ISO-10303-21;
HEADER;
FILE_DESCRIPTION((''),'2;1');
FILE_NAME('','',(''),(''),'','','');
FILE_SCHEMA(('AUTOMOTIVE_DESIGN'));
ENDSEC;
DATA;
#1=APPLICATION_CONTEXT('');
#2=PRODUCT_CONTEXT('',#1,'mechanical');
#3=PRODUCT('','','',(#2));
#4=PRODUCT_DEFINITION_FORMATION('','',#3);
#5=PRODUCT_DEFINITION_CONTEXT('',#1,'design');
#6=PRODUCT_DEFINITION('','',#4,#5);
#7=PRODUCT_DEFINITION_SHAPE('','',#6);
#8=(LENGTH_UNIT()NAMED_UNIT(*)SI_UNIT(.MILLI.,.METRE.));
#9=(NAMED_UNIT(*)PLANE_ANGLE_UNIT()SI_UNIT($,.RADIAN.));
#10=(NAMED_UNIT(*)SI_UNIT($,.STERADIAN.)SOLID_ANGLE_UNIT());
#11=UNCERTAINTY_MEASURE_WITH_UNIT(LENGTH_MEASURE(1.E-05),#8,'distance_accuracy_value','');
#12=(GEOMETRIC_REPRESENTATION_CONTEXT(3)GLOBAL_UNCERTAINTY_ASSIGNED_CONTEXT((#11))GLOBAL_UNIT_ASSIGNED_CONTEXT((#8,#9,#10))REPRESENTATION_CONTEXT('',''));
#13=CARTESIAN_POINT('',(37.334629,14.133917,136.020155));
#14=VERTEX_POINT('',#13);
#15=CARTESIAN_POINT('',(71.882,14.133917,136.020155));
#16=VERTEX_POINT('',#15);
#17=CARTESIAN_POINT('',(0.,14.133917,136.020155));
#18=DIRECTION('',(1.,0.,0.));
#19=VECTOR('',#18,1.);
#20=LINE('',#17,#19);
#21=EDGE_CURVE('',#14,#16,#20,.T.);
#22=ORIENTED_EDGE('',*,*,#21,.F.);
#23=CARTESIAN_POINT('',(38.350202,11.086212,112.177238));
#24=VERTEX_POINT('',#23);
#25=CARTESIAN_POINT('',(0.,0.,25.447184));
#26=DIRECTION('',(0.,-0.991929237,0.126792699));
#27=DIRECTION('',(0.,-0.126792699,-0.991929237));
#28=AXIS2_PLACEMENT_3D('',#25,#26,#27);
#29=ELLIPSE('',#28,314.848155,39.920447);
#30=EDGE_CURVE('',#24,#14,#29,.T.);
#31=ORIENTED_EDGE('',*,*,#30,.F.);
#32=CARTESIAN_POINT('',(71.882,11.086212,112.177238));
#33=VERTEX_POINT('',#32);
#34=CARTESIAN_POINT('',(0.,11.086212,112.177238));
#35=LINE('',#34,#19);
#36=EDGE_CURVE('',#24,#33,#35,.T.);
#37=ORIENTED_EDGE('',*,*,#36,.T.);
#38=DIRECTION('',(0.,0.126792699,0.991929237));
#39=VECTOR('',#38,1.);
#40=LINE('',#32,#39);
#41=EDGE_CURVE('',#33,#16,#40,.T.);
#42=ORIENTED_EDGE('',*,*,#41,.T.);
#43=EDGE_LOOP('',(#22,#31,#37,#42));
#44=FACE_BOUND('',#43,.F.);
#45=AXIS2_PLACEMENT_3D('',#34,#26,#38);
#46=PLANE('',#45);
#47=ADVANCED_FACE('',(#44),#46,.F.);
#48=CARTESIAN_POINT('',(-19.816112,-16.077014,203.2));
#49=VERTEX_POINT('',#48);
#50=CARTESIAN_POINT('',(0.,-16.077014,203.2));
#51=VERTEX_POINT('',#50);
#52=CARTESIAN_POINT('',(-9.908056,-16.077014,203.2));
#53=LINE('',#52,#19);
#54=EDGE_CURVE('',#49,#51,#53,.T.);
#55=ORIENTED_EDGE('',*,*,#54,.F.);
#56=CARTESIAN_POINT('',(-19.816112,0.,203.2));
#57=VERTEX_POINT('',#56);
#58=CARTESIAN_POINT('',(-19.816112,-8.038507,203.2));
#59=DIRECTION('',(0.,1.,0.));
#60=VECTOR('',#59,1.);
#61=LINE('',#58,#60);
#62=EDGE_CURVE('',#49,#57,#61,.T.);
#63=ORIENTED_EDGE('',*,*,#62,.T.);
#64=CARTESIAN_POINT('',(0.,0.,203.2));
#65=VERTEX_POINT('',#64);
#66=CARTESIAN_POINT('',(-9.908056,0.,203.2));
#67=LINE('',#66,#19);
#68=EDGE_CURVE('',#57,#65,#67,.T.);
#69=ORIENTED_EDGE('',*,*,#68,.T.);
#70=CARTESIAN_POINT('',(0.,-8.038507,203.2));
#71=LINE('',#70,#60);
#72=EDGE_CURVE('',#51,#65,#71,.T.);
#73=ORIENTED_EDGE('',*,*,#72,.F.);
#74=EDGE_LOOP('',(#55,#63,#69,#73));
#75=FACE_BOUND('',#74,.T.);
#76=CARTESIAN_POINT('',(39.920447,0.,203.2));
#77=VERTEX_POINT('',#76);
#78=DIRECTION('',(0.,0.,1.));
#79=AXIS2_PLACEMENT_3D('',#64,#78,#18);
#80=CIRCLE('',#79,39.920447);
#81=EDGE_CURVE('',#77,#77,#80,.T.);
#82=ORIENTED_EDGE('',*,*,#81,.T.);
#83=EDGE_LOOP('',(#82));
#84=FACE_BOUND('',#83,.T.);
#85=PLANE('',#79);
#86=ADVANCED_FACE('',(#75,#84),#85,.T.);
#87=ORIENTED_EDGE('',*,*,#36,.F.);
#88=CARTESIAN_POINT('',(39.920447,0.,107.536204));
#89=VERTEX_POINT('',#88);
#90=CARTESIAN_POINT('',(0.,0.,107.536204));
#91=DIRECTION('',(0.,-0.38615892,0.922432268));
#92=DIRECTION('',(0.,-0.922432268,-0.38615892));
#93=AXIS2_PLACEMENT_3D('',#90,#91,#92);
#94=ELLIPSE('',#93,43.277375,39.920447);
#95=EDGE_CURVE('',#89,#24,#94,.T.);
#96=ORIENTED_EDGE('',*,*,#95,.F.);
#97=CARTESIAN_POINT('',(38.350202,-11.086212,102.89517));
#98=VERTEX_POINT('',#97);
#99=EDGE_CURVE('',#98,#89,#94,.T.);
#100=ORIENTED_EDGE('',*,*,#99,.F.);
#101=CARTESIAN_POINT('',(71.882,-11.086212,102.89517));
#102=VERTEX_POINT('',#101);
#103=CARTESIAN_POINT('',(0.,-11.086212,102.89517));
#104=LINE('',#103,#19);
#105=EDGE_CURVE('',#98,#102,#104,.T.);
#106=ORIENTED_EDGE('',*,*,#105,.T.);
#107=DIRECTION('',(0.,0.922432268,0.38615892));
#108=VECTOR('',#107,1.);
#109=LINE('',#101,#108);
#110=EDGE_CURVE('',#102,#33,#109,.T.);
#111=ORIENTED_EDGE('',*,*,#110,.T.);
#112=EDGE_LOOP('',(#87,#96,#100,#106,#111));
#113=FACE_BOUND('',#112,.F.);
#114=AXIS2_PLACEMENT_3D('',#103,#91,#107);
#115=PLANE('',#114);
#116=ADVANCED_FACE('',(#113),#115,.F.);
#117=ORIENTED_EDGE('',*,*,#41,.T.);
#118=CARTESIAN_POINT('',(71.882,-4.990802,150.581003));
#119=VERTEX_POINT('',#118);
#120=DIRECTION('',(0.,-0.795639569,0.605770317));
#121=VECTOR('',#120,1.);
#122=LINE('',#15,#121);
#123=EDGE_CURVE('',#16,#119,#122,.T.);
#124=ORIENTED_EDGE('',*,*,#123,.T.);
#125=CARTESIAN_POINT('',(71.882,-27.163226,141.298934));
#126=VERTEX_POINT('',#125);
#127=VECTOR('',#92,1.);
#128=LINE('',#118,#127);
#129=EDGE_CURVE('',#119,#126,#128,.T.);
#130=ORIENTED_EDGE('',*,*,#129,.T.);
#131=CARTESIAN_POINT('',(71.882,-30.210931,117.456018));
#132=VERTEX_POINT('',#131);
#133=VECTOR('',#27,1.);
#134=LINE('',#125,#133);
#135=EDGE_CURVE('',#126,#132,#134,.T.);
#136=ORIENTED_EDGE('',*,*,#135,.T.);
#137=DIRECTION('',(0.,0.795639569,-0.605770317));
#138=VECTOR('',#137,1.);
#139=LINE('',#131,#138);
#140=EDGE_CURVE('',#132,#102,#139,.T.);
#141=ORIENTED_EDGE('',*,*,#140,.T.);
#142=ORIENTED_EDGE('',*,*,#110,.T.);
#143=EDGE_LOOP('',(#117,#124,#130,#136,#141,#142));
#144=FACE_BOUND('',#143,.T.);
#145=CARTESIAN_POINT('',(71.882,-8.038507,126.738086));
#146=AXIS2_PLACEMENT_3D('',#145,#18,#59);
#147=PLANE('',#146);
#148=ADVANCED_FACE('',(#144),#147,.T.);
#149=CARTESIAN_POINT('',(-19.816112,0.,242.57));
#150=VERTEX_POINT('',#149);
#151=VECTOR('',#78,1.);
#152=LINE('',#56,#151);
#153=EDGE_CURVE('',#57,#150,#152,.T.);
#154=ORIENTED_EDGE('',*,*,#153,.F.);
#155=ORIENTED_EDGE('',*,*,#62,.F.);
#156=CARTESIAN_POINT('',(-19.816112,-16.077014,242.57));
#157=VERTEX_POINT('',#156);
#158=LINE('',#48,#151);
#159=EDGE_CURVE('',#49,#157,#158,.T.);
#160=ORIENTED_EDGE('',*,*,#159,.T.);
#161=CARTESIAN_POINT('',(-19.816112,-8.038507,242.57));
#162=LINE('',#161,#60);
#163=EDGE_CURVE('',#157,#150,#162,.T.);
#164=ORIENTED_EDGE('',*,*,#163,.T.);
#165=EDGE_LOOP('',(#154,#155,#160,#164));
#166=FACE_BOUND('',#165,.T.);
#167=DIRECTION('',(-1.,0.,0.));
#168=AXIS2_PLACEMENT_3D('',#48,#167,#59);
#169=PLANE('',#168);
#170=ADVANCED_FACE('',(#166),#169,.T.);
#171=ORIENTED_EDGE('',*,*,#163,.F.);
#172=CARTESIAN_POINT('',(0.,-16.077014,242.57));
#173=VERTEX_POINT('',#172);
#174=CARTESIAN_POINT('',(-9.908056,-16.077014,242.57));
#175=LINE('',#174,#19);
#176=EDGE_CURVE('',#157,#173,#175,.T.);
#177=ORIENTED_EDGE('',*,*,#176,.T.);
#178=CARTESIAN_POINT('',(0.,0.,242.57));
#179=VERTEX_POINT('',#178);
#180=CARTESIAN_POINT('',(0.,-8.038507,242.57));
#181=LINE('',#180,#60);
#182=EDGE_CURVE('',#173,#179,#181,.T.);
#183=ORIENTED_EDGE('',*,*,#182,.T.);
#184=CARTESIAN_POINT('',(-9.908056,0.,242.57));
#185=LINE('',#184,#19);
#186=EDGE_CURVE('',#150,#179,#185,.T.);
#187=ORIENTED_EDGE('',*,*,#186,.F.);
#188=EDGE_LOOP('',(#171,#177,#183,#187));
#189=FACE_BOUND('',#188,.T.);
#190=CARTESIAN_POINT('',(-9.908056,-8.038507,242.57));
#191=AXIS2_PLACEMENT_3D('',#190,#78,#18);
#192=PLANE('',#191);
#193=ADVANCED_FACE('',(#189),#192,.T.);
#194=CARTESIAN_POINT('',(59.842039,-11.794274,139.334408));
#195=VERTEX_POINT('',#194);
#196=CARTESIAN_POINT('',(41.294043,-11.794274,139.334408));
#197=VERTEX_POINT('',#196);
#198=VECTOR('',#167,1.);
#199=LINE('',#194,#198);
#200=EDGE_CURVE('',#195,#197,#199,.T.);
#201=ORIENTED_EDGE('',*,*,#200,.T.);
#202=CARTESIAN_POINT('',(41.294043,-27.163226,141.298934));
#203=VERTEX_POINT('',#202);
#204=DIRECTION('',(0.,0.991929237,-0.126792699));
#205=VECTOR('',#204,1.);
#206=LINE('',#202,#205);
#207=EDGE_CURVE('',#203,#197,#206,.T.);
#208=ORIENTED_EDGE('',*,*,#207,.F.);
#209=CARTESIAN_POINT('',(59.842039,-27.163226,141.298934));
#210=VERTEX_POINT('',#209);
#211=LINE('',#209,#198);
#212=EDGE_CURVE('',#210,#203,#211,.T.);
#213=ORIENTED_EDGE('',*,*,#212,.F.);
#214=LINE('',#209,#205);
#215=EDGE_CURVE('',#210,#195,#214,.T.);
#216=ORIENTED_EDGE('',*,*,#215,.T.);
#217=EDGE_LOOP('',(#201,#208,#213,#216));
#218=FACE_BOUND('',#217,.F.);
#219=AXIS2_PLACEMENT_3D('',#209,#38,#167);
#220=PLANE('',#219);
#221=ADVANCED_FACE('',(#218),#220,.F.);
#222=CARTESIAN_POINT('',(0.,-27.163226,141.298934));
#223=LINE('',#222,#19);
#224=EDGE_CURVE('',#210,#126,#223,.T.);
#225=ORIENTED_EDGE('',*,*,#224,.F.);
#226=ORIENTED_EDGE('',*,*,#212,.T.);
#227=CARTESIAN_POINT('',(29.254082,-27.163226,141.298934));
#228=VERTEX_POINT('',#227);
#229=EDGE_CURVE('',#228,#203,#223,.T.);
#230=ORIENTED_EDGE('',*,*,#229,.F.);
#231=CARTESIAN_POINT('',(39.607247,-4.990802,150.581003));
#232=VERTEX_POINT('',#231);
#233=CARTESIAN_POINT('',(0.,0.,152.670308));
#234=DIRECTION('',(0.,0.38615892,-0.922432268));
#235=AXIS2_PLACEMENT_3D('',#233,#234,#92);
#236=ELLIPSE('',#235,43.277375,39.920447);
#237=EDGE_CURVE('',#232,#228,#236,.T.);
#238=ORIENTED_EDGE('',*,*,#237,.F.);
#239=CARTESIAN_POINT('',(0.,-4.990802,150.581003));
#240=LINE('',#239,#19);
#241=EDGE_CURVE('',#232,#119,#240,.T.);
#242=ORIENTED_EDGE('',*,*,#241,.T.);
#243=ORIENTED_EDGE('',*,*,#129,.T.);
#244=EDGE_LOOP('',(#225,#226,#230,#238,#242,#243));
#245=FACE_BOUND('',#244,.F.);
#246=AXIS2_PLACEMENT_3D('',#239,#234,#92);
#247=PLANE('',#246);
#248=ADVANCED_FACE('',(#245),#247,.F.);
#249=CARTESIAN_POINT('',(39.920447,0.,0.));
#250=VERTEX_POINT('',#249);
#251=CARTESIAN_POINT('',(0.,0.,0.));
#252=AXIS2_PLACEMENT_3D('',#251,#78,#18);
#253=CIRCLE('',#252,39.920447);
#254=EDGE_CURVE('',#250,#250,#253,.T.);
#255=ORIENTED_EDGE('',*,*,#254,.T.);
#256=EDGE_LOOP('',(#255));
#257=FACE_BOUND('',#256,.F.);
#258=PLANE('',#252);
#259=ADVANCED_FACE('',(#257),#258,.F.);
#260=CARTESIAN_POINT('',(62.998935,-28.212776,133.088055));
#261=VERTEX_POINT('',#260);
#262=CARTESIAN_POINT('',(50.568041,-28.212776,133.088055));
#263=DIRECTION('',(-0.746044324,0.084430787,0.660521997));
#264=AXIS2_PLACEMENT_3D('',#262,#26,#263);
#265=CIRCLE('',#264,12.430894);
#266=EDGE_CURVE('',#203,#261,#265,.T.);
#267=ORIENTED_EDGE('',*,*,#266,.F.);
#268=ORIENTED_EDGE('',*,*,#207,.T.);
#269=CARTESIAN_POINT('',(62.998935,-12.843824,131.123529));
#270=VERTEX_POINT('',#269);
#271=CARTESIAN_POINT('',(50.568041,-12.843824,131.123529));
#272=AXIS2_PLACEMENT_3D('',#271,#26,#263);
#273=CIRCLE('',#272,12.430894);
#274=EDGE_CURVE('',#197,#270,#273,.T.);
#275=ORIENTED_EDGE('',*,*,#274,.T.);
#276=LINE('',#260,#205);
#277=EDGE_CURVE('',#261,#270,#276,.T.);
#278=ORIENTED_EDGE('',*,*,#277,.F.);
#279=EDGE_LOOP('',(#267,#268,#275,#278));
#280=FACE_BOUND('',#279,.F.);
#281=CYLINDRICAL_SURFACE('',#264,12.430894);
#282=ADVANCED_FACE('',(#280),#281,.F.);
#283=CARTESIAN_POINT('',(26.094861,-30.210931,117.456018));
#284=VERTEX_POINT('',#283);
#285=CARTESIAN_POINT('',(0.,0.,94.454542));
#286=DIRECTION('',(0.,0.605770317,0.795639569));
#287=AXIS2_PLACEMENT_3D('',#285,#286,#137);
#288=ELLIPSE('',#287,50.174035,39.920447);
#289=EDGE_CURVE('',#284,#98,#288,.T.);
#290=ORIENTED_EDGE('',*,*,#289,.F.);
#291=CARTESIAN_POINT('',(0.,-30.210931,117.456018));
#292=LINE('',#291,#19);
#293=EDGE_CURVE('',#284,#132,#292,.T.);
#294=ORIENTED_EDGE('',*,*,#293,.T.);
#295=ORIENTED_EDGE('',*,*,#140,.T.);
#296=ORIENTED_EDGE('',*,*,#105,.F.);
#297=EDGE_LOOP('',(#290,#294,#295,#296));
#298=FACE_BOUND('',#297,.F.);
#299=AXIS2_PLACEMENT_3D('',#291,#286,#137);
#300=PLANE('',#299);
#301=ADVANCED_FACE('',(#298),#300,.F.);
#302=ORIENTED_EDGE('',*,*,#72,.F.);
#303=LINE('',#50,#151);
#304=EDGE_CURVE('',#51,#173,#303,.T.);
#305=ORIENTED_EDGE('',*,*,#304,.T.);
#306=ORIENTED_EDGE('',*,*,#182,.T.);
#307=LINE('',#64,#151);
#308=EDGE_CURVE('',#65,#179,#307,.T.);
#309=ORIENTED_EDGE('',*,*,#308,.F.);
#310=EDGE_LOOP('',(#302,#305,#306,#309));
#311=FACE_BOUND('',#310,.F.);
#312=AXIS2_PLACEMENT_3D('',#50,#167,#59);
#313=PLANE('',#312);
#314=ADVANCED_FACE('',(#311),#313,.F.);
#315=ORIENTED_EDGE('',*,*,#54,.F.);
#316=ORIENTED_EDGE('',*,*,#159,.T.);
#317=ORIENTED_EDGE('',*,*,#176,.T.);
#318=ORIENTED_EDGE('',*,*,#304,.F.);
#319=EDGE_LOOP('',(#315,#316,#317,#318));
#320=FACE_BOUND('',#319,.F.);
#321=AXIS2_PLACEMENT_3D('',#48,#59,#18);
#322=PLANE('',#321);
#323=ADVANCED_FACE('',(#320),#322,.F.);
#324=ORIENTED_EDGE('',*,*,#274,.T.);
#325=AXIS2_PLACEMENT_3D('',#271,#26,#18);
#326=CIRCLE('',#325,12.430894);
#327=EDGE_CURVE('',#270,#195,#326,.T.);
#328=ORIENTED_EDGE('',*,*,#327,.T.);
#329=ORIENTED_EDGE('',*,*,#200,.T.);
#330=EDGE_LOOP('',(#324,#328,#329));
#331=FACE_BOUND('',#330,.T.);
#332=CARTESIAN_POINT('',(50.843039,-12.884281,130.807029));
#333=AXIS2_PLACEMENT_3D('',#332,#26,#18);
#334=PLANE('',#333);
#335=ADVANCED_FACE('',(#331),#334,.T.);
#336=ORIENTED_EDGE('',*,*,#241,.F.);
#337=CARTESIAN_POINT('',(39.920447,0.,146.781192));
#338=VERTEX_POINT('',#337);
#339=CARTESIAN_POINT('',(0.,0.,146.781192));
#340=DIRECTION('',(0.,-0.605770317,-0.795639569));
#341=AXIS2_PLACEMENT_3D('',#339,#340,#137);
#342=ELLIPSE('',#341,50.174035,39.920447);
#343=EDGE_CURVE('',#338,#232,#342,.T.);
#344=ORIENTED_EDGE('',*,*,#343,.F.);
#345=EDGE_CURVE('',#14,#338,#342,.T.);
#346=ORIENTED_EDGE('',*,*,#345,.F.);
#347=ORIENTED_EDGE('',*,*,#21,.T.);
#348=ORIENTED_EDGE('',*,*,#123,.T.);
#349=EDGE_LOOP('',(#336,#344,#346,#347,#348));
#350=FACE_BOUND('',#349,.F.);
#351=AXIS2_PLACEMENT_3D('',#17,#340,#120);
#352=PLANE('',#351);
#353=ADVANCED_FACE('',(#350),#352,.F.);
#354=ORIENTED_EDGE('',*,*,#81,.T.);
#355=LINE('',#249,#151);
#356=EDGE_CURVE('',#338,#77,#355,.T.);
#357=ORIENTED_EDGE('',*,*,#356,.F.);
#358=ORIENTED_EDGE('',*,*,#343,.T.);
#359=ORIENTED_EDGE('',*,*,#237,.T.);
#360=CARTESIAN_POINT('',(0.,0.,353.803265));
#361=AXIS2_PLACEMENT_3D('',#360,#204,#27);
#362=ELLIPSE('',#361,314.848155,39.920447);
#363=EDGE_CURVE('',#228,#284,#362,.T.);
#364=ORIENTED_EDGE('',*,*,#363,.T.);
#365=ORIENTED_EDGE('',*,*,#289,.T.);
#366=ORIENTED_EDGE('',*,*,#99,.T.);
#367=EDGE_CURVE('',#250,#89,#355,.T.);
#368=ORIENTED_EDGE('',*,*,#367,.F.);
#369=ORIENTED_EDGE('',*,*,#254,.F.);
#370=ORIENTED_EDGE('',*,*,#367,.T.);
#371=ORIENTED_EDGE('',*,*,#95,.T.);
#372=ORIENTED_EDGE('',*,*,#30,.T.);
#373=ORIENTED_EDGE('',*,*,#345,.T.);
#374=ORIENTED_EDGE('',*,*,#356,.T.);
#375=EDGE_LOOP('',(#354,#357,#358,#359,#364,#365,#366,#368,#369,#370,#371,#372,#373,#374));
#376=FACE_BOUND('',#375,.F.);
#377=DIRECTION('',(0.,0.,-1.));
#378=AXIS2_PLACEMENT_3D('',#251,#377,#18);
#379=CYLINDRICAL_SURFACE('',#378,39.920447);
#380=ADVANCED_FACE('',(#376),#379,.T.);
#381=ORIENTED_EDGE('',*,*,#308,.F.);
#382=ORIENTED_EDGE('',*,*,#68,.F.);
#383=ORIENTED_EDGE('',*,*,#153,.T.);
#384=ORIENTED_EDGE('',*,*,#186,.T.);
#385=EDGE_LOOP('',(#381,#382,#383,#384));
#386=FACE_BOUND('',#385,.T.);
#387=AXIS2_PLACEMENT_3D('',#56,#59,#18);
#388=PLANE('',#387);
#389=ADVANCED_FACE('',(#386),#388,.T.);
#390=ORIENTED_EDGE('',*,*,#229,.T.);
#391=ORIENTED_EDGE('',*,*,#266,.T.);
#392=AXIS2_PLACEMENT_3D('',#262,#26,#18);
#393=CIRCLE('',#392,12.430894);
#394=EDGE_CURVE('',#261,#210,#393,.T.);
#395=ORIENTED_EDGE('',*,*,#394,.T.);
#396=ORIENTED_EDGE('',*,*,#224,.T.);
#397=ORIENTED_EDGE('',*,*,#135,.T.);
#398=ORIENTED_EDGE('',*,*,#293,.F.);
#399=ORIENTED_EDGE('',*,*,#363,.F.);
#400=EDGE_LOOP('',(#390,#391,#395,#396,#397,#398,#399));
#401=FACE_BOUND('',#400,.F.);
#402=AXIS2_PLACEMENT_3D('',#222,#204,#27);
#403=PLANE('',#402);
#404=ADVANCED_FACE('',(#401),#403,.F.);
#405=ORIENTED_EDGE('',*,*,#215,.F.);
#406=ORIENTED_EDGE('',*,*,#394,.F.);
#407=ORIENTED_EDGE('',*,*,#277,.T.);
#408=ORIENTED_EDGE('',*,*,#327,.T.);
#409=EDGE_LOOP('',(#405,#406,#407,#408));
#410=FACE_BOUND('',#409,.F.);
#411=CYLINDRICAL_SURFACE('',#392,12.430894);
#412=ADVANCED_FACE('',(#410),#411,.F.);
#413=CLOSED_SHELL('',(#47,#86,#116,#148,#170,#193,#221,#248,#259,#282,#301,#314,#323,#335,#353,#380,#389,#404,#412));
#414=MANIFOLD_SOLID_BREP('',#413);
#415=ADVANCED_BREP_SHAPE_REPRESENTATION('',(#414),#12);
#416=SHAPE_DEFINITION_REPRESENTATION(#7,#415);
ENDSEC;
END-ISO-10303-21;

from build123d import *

# Parameters (mm, degrees)
F0_R     = 39.9204473095
F1_DEPTH = 203.2
F2_W     = 19.8161117733
F2_H     = 16.0770136863
F3_DEPTH = 39.37
F5_DEPTH = 71.882
F7_DEPTH = 15.494


with BuildPart() as f1:
    # F0 (on Top) → F1 (new body)
    with BuildSketch(Plane.XY):
        Circle(F0_R)
    extrude(amount=F1_DEPTH)

    # F2 (on face) → F3 (join)
    with BuildSketch(Plane.XY.offset(203.2)):
        with Locations((-9.9080558866, -8.0385068431)):
            Rectangle(F2_W, F2_H)
    extrude(amount=F3_DEPTH)

    # F4 (on face) → F5 (join)
    with BuildSketch(Plane.YZ):
        Polygon((-11.0862118476, 102.8951700695), (11.0862118476, 112.177238249), (14.1339168521, 136.0201545224), (-4.9908018387, 150.5810026161), (-27.1632255339, 141.2989344366), (-30.2109305384, 117.4560181633), align=None)
    extrude(amount=F5_DEPTH)

    # F6 (on face) → F7 (cut)
    with BuildSketch(Plane(origin=(0, -44.4976190456, 5.6878787267), x_dir=(1, 0, 0), z_dir=(0, -0.9919292372, 0.1267926987))):
        with BuildLine():
            ThreePointArc((41.2940425882, 136.7144455761), (46.1384221296, 116.821871488), (62.9989352422, 128.4367591143))
            ThreePointArc((62.9989352422, 128.4367591143), (62.182928441, 132.8663777994), (59.8420390413, 136.7144455761))
            Line((59.8420390413, 136.7144455761), (41.2940425882, 136.7144455761))
        make_face()
    extrude(amount=-F7_DEPTH, mode=Mode.SUBTRACT)


solid = f1.part
